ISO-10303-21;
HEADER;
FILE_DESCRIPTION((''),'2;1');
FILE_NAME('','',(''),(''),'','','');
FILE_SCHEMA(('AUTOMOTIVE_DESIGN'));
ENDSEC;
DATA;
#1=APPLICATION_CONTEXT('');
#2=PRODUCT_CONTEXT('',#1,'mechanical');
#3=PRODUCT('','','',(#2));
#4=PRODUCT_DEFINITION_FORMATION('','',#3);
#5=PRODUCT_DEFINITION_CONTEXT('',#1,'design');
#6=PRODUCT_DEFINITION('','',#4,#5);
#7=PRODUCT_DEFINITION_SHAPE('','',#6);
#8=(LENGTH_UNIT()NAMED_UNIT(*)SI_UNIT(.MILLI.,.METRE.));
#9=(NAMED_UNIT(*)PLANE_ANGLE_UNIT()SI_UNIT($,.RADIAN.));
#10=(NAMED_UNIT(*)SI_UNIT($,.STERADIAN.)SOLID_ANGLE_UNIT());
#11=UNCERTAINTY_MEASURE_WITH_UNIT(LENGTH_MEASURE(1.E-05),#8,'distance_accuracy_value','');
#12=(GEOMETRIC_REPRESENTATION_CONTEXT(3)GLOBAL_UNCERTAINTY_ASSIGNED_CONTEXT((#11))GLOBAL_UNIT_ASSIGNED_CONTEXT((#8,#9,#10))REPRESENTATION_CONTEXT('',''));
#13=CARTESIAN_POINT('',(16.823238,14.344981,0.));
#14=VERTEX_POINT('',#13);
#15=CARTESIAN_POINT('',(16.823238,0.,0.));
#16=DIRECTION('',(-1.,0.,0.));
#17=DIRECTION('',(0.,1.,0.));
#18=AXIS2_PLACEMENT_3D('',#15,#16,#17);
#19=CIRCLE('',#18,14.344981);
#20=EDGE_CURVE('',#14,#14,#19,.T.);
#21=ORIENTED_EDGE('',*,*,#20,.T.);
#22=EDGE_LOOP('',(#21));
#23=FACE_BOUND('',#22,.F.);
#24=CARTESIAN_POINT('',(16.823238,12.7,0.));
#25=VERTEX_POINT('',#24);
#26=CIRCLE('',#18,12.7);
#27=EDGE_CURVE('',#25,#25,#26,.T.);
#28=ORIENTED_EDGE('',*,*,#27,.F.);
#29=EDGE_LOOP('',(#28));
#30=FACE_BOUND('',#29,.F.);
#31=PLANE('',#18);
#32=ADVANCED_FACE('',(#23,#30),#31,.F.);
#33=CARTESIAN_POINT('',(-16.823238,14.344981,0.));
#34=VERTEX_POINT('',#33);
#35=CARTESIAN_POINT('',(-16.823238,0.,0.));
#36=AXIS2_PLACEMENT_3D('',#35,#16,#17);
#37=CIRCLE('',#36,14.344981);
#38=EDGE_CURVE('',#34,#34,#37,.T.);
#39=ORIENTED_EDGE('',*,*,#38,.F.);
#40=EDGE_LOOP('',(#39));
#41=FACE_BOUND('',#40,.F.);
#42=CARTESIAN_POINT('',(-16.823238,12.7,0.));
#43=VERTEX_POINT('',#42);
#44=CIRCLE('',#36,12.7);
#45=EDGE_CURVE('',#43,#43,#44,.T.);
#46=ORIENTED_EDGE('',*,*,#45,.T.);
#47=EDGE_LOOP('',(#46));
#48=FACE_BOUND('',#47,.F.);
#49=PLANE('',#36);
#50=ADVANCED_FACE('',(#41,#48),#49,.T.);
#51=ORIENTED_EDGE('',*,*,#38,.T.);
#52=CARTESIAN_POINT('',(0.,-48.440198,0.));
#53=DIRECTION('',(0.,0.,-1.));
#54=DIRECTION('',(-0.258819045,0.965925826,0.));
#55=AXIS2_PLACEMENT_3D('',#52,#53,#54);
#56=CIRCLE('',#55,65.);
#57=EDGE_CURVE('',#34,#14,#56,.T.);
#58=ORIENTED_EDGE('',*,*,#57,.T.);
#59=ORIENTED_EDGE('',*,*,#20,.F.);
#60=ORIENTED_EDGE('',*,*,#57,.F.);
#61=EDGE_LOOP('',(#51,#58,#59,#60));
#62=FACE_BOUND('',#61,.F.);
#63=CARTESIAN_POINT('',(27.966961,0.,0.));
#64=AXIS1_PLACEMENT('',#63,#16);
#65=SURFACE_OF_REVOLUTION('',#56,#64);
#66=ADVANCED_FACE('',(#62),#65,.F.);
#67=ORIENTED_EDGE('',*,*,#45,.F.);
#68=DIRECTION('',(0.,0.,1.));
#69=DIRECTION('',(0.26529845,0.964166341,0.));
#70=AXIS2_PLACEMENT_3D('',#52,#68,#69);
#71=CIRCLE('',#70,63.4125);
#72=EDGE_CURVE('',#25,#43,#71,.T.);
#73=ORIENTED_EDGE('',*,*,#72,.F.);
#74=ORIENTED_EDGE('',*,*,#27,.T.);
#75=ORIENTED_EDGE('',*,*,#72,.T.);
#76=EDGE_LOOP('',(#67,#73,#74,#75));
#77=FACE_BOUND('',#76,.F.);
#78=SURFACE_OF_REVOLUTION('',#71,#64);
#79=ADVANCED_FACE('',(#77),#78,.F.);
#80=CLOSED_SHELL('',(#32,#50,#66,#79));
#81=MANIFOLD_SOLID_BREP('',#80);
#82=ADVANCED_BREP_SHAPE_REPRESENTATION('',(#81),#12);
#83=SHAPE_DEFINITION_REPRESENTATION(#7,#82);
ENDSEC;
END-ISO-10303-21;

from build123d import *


with BuildPart() as part:
    # Sketch2 → Revolve1 (revolve)
    with BuildSketch(Plane.XY):
        with BuildLine():
            Line((-16.823237932, 12.7), (-16.823237932, 14.344980625))
            ThreePointArc((-16.823237932, 14.344980625), (0, 16.559801916), (16.823237932, 14.344980625))
            Line((16.823237932, 14.344980625), (16.823237932, 12.7))
            ThreePointArc((16.823237932, 12.7), (0, 14.972301916), (-16.823237932, 12.7))
        make_face()
    revolve(axis=Axis((27.966961403, 0, 0), (-1, 0, 0)))


solid = part.part
